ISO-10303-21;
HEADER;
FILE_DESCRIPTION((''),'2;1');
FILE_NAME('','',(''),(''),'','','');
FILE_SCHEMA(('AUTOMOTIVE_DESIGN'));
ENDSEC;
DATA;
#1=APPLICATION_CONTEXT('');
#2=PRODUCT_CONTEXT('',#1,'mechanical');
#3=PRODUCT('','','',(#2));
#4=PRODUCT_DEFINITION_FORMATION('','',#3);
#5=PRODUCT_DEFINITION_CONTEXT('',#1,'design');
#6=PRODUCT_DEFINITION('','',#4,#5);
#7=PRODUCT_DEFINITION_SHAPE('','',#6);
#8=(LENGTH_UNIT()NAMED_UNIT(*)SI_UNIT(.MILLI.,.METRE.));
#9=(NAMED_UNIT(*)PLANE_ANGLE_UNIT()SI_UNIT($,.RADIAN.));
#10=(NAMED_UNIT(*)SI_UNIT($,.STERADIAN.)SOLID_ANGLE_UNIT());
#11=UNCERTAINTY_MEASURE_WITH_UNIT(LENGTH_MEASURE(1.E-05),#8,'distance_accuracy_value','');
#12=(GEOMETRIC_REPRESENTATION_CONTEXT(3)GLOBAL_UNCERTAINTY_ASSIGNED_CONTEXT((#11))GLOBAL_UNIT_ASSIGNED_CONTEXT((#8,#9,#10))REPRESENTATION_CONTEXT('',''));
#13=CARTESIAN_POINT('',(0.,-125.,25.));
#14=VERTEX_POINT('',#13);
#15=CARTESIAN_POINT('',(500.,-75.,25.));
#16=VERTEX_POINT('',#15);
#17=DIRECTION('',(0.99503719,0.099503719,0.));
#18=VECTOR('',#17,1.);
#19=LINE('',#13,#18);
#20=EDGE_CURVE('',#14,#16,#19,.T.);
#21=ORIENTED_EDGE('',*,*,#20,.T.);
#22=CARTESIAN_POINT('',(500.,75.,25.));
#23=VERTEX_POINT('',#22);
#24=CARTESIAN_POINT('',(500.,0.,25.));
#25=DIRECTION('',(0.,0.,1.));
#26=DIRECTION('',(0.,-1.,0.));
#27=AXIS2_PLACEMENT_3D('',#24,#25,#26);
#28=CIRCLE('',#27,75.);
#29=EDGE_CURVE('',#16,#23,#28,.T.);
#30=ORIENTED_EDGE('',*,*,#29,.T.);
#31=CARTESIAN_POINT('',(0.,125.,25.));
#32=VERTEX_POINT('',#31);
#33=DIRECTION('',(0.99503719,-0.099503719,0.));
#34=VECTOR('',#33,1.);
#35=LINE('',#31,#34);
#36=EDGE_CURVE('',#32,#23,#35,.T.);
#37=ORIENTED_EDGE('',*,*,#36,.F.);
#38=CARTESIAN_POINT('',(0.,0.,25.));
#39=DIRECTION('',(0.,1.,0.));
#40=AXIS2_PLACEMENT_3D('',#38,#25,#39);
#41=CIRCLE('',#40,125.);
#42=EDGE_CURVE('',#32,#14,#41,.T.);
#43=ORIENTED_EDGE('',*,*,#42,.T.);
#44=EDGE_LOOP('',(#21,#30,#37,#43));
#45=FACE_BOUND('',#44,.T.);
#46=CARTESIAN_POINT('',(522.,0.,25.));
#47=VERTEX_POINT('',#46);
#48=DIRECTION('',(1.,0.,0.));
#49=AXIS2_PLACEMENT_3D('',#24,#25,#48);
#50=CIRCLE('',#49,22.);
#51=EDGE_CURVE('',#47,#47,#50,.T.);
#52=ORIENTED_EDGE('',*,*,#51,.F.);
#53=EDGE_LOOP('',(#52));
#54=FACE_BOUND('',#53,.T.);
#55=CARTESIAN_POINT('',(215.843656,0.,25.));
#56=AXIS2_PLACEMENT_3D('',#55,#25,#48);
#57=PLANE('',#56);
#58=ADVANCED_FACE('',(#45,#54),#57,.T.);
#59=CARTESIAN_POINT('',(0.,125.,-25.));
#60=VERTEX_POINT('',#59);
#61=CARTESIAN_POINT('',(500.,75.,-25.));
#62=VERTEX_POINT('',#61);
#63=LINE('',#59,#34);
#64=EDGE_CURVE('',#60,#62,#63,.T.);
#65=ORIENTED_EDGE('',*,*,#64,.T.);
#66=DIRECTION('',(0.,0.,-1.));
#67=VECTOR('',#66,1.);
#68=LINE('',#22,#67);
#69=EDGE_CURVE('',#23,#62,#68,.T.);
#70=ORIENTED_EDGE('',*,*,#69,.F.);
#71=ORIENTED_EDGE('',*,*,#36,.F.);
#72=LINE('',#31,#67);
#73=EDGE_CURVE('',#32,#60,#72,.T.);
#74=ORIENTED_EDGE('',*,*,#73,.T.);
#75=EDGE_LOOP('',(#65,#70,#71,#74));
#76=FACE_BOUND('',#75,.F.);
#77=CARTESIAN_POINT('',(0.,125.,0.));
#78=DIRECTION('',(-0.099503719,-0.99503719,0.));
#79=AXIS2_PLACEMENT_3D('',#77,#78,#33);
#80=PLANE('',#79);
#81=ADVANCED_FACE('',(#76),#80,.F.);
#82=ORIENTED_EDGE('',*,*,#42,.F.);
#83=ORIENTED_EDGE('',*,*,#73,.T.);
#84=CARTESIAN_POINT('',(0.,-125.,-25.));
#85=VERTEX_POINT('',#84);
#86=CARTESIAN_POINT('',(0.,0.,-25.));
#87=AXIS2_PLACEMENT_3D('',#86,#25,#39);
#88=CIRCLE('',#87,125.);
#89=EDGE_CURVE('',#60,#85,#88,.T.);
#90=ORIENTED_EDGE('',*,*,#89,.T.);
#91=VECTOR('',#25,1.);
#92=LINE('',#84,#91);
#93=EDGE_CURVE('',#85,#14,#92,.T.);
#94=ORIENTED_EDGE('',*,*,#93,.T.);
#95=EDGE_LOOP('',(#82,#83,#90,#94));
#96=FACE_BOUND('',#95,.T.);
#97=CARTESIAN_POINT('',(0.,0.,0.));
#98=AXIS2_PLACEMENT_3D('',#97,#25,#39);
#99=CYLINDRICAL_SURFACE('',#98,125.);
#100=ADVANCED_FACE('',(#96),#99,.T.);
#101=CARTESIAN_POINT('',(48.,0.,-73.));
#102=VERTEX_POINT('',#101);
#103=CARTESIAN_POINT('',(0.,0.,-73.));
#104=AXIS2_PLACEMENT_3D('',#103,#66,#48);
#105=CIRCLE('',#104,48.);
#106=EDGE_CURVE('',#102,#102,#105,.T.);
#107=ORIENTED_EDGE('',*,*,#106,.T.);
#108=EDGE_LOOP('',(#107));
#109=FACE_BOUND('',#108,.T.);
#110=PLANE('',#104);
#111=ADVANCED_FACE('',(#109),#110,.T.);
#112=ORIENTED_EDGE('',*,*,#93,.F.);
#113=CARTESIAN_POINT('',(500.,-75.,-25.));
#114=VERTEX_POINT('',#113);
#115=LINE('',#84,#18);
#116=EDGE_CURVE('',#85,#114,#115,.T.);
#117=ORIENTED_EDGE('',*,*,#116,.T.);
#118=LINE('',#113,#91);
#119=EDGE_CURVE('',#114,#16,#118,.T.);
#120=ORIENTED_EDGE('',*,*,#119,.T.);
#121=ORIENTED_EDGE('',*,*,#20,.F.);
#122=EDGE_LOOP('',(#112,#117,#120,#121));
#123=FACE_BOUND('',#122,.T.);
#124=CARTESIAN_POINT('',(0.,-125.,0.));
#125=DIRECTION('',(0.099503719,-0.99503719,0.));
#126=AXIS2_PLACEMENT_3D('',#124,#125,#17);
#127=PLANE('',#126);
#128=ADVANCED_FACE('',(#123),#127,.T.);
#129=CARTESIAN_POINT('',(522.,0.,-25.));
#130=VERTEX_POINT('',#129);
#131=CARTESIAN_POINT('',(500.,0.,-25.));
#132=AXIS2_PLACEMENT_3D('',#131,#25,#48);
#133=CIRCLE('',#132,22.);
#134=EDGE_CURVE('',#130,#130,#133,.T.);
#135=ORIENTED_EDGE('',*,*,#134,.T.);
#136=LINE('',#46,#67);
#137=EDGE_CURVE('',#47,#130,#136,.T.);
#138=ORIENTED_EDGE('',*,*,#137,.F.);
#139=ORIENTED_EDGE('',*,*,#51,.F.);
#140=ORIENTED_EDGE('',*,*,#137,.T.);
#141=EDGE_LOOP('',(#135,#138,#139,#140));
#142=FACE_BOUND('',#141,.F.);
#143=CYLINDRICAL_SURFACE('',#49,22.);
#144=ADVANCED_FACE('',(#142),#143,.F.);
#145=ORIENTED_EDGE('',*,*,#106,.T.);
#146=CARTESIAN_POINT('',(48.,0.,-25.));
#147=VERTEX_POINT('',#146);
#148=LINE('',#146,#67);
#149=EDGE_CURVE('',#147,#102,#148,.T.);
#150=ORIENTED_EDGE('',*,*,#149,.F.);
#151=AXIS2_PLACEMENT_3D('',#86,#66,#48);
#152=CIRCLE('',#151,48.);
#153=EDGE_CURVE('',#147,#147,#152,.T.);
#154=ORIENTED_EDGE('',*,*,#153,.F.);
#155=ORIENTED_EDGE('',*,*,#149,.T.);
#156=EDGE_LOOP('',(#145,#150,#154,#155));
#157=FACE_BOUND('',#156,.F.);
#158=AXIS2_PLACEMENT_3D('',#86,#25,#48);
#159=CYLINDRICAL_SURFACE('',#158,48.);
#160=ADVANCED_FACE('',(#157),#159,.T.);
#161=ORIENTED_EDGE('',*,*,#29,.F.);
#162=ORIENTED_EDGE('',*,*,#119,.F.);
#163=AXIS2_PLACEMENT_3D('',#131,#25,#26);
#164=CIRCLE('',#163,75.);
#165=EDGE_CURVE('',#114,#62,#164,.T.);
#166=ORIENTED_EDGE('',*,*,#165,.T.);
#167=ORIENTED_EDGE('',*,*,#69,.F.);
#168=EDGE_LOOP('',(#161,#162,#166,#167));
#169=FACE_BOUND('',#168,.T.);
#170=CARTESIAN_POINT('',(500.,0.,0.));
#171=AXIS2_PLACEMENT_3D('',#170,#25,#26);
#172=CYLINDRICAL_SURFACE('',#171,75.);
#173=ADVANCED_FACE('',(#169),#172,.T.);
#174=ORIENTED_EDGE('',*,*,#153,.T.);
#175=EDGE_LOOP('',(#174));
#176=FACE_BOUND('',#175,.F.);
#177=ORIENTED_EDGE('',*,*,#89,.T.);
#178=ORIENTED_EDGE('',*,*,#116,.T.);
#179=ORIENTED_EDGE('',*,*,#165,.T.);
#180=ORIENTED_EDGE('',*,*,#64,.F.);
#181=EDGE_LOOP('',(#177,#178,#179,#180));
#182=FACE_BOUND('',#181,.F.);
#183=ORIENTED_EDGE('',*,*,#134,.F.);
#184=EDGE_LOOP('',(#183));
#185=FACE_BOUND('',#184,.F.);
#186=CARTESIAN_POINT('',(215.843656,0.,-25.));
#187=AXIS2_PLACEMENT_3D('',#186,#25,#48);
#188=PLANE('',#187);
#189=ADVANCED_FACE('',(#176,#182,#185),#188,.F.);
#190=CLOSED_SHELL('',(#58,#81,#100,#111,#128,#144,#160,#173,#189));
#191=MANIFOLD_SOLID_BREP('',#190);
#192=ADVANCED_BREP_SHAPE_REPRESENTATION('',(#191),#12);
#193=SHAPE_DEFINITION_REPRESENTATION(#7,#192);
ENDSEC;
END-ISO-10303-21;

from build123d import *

# Parameters (mm, degrees)
PAD_DEPTH    = 25
SKETCH001_R  = 48
PAD001_DEPTH = 48
SKETCH002_R  = 22
POCKET_DEPTH = 51


with BuildPart() as part:
    # Sketch → Pad (new body, symmetric)
    with BuildSketch(Plane.XY):
        with BuildLine():
            ThreePointArc((0, 125), (-125, 0), (0, -125))
            Line((0, -125), (500, -75))
            ThreePointArc((500, -75), (575, 0), (500, 75))
            Line((0, 125), (500, 75))
        make_face()
    extrude(amount=PAD_DEPTH, both=True)

    # Sketch001 (on Face5 of Pad) → Pad001 (join)
    with BuildSketch(Plane(origin=(0, 0, -25), x_dir=(1, 0, 0), z_dir=(0, 0, -1))):
        Circle(SKETCH001_R)
    extrude(amount=PAD001_DEPTH)

    # Sketch002 (on Face5 of Pad001) → Pocket (cut)
    with BuildSketch(Plane.XY.offset(25)):
        with Locations((500, 0)):
            Circle(SKETCH002_R)
    extrude(amount=-POCKET_DEPTH, mode=Mode.SUBTRACT)


solid = part.part
